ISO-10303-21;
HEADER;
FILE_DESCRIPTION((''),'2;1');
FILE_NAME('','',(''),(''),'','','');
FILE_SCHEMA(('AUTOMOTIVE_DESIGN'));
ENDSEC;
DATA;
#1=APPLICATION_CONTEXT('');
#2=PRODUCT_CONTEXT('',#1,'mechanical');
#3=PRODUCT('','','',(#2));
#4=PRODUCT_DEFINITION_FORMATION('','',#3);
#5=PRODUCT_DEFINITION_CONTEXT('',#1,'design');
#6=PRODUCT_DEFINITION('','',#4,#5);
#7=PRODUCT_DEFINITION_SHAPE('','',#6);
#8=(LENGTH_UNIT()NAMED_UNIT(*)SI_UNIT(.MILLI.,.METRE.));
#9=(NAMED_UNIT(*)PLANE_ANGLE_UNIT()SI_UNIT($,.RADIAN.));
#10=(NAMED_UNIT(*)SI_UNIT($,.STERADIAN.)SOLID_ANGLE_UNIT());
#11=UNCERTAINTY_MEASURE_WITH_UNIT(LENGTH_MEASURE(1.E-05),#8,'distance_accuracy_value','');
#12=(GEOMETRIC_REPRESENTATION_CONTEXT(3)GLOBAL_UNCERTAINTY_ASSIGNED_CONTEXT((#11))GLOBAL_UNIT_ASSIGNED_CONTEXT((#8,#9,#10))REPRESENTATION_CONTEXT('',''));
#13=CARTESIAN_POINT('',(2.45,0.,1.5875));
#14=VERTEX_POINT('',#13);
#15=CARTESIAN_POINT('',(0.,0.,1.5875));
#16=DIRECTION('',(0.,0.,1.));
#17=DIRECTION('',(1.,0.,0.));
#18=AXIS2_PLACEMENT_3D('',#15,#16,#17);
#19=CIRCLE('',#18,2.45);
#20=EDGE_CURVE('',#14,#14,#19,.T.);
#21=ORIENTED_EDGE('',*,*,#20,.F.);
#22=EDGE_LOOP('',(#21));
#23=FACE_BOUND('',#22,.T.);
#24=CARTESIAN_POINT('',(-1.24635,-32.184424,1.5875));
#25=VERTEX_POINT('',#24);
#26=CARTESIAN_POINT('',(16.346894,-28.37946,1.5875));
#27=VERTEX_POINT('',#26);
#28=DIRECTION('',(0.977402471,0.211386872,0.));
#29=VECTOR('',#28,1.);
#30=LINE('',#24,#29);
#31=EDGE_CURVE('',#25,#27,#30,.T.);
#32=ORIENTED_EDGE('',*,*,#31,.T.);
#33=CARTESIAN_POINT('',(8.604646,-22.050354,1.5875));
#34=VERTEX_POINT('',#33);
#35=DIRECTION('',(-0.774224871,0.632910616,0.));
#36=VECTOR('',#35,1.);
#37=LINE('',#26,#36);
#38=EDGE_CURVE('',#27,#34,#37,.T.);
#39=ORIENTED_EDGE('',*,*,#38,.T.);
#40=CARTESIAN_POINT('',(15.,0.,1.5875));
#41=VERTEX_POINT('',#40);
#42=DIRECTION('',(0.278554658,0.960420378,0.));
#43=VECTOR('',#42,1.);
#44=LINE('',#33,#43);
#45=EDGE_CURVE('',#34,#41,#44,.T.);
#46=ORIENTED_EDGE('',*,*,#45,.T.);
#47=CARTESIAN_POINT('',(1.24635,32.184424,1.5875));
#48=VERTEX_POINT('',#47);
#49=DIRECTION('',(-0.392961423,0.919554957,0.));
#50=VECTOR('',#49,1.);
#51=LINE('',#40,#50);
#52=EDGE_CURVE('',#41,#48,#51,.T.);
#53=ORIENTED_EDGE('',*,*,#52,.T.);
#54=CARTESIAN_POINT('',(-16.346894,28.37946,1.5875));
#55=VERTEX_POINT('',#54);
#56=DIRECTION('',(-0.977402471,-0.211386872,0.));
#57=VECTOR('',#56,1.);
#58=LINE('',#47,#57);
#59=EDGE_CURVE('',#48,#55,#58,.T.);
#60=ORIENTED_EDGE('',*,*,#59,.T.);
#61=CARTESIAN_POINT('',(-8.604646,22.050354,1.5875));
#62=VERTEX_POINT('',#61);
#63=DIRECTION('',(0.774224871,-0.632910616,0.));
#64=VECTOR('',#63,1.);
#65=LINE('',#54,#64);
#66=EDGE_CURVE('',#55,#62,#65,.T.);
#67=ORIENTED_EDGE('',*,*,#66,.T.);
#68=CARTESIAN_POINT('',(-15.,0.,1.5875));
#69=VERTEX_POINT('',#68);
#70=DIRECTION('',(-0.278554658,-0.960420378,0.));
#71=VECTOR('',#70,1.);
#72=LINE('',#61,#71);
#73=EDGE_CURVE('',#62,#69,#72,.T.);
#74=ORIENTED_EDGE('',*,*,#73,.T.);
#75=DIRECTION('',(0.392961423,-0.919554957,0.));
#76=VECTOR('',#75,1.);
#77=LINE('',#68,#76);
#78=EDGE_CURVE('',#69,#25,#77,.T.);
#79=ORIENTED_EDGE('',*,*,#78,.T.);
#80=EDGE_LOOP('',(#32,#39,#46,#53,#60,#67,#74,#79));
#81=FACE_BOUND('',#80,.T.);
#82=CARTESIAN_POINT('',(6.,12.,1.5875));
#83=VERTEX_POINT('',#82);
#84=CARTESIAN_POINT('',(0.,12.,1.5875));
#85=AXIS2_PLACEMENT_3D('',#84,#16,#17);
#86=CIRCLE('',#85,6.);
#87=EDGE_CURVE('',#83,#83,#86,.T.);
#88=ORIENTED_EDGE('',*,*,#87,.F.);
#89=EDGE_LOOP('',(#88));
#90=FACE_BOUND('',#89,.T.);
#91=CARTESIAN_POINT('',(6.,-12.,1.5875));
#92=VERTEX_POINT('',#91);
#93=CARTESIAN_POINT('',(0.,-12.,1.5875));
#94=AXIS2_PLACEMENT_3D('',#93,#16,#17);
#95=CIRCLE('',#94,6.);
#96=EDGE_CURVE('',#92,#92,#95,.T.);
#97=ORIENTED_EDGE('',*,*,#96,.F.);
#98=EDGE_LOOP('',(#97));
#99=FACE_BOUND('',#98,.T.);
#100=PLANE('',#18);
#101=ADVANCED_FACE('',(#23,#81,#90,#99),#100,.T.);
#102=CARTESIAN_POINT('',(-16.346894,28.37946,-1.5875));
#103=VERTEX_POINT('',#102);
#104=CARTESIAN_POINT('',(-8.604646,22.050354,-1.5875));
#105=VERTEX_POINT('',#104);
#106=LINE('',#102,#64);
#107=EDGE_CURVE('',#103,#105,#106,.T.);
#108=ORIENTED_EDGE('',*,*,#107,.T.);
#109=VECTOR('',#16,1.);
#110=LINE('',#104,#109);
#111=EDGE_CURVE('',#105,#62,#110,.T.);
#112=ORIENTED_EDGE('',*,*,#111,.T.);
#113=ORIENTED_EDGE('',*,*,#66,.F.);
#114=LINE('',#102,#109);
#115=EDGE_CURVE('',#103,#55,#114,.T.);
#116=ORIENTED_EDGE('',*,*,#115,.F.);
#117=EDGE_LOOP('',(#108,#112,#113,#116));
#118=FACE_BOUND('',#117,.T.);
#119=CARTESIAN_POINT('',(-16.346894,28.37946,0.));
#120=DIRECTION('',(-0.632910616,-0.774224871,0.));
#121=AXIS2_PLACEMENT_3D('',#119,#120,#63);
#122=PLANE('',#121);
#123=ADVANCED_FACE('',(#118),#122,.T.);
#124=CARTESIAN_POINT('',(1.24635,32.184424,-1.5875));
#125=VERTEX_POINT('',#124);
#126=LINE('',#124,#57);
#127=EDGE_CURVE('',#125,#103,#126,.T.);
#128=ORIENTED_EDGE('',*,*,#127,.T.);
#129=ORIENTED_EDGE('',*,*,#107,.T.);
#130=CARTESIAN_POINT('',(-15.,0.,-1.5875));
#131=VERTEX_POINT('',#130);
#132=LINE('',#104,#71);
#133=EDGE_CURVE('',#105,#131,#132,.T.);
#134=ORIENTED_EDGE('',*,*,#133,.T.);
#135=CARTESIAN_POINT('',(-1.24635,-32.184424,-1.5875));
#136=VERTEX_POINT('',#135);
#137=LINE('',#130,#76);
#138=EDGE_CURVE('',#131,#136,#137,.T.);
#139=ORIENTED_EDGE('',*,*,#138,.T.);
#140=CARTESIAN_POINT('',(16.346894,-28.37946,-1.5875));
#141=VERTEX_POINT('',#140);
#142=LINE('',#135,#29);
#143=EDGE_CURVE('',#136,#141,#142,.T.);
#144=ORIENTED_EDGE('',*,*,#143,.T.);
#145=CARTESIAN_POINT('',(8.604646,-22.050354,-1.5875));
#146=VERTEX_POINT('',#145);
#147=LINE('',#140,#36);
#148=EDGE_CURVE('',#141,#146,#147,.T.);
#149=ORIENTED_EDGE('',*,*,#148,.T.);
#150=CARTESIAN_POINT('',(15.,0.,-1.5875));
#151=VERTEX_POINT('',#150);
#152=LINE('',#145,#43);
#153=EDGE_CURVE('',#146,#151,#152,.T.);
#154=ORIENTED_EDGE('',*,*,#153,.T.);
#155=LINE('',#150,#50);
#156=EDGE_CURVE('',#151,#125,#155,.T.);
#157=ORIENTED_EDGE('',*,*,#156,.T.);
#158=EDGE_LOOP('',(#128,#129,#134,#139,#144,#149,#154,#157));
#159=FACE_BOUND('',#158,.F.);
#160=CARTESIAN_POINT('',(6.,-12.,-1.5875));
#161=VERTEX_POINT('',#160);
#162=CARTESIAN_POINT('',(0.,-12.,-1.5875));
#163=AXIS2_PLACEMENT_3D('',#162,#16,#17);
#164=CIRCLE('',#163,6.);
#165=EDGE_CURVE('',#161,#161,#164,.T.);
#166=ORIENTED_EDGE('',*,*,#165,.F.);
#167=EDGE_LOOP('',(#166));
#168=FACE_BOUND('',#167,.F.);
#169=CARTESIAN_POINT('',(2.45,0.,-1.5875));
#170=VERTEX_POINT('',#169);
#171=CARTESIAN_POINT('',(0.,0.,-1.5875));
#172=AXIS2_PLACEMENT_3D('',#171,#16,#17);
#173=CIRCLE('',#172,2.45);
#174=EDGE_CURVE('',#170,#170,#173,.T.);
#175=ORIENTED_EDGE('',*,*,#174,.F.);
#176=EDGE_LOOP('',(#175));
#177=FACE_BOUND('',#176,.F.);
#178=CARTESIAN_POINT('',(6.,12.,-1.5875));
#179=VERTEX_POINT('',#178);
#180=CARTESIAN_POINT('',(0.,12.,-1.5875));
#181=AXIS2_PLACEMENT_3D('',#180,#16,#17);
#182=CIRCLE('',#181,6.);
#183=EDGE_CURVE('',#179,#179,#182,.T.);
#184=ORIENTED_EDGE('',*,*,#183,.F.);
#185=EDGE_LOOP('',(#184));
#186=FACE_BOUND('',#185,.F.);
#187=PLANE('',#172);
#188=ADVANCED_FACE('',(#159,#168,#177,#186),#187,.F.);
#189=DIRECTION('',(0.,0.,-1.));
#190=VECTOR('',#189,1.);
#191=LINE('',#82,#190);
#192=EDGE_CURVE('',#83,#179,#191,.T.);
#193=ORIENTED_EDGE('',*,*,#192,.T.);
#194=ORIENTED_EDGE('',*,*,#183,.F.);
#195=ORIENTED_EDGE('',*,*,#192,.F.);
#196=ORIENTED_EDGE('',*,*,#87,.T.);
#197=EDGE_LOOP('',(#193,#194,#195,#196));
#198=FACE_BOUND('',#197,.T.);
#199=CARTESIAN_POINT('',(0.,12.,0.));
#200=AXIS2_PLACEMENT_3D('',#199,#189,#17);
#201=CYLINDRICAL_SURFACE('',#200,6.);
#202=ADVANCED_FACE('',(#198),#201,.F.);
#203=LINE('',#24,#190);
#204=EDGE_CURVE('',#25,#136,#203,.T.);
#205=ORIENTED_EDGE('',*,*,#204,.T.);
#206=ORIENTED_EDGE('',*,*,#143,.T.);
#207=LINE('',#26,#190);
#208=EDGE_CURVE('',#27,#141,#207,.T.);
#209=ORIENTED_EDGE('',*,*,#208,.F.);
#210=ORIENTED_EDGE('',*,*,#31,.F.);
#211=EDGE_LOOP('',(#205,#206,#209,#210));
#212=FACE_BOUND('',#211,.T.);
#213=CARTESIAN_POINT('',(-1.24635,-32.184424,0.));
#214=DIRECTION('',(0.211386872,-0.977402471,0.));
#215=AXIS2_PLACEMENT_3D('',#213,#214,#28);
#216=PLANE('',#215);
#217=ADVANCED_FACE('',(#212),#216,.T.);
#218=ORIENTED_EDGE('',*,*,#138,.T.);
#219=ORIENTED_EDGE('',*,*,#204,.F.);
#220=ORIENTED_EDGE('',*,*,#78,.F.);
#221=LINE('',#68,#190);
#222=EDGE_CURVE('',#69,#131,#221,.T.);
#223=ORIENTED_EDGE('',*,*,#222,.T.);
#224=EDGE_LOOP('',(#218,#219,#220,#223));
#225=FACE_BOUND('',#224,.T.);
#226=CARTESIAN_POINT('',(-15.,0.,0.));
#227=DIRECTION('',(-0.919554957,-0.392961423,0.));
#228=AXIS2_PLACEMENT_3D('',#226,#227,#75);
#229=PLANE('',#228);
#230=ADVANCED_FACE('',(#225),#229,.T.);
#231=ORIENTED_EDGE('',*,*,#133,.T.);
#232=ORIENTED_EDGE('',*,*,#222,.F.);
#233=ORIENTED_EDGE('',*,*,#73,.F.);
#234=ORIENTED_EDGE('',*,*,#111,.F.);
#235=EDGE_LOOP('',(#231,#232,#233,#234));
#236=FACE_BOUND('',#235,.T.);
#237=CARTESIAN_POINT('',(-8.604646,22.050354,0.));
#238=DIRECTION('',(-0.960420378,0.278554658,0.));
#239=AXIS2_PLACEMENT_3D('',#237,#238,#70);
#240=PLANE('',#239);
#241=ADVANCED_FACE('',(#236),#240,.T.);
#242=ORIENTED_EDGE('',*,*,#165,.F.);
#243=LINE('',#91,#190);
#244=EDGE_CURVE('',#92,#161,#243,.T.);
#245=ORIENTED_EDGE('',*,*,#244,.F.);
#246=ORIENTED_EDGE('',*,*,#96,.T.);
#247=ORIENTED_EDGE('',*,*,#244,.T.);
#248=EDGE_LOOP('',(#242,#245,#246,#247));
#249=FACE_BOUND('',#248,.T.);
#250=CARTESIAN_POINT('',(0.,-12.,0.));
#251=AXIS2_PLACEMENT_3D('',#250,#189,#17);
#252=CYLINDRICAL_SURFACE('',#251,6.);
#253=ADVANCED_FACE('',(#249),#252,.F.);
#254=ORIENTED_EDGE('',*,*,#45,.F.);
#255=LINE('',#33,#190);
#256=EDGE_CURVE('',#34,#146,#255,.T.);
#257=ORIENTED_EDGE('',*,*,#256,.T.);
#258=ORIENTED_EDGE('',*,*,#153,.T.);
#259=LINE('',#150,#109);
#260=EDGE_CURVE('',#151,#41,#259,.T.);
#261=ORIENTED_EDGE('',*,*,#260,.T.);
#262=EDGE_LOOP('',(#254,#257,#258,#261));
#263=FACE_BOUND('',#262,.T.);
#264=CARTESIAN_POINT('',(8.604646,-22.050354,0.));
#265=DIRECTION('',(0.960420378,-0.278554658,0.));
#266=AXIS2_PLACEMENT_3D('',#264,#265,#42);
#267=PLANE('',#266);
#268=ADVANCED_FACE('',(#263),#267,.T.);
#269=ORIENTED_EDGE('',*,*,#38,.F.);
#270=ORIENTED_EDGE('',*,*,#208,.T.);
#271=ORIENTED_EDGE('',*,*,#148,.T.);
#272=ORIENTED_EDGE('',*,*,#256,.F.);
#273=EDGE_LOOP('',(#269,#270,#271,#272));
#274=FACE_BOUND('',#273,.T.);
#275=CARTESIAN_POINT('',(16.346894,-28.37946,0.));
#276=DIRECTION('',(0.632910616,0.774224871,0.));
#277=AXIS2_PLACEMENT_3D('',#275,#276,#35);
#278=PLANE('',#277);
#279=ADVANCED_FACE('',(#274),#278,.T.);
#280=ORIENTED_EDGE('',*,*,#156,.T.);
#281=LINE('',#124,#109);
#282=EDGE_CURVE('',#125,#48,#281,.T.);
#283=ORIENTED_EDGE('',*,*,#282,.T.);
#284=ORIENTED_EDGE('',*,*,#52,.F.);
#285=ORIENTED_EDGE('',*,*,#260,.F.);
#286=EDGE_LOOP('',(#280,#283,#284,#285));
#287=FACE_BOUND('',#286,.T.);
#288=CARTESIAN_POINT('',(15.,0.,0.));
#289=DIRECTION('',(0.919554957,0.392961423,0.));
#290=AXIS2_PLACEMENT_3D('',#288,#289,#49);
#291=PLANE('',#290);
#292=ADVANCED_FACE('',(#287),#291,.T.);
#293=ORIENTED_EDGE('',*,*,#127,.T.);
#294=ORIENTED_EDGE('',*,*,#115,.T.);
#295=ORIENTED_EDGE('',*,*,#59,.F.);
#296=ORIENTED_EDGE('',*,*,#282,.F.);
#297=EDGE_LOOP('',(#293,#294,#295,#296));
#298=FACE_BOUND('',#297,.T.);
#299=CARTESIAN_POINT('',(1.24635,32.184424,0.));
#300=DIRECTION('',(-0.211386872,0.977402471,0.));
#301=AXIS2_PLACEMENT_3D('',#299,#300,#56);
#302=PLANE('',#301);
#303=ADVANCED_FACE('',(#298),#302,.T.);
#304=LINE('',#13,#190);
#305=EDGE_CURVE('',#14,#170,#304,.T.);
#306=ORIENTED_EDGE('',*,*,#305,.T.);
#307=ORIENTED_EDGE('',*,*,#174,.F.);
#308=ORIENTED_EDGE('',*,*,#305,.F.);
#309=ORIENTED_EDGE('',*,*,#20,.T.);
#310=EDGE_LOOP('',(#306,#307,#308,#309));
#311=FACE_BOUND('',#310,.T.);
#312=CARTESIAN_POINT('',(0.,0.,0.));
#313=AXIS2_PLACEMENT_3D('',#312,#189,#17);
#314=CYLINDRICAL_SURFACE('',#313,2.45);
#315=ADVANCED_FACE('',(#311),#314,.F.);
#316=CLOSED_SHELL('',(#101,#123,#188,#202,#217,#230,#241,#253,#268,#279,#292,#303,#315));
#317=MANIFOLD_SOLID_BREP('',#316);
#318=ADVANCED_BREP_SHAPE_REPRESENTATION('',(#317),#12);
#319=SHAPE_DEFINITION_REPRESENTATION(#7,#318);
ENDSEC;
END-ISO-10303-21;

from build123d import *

# Parameters (mm, degrees)
F0_R     = 6
F0_R_2   = 2.45
F1_DEPTH = 1.5875


with BuildPart() as f1:
    # F0 (on Top) → F1 (new body, symmetric)
    with BuildSketch(Plane.XY):
        Polygon((8.6046455833, -22.0503536392), (15, 0), (1.2463501788, 32.1844235088), (-16.3468942976, 28.3794598042), (-8.6046455833, 22.0503536392), (-15, 0), (-1.2463501788, -32.1844235088), (16.3468942976, -28.3794598042), align=None)
        with Locations((0, -12)):
            Circle(F0_R, mode=Mode.SUBTRACT)
        Circle(F0_R_2, mode=Mode.SUBTRACT)
        with Locations((0, 12)):
            Circle(F0_R, mode=Mode.SUBTRACT)
    extrude(amount=F1_DEPTH, both=True)


solid = f1.part
